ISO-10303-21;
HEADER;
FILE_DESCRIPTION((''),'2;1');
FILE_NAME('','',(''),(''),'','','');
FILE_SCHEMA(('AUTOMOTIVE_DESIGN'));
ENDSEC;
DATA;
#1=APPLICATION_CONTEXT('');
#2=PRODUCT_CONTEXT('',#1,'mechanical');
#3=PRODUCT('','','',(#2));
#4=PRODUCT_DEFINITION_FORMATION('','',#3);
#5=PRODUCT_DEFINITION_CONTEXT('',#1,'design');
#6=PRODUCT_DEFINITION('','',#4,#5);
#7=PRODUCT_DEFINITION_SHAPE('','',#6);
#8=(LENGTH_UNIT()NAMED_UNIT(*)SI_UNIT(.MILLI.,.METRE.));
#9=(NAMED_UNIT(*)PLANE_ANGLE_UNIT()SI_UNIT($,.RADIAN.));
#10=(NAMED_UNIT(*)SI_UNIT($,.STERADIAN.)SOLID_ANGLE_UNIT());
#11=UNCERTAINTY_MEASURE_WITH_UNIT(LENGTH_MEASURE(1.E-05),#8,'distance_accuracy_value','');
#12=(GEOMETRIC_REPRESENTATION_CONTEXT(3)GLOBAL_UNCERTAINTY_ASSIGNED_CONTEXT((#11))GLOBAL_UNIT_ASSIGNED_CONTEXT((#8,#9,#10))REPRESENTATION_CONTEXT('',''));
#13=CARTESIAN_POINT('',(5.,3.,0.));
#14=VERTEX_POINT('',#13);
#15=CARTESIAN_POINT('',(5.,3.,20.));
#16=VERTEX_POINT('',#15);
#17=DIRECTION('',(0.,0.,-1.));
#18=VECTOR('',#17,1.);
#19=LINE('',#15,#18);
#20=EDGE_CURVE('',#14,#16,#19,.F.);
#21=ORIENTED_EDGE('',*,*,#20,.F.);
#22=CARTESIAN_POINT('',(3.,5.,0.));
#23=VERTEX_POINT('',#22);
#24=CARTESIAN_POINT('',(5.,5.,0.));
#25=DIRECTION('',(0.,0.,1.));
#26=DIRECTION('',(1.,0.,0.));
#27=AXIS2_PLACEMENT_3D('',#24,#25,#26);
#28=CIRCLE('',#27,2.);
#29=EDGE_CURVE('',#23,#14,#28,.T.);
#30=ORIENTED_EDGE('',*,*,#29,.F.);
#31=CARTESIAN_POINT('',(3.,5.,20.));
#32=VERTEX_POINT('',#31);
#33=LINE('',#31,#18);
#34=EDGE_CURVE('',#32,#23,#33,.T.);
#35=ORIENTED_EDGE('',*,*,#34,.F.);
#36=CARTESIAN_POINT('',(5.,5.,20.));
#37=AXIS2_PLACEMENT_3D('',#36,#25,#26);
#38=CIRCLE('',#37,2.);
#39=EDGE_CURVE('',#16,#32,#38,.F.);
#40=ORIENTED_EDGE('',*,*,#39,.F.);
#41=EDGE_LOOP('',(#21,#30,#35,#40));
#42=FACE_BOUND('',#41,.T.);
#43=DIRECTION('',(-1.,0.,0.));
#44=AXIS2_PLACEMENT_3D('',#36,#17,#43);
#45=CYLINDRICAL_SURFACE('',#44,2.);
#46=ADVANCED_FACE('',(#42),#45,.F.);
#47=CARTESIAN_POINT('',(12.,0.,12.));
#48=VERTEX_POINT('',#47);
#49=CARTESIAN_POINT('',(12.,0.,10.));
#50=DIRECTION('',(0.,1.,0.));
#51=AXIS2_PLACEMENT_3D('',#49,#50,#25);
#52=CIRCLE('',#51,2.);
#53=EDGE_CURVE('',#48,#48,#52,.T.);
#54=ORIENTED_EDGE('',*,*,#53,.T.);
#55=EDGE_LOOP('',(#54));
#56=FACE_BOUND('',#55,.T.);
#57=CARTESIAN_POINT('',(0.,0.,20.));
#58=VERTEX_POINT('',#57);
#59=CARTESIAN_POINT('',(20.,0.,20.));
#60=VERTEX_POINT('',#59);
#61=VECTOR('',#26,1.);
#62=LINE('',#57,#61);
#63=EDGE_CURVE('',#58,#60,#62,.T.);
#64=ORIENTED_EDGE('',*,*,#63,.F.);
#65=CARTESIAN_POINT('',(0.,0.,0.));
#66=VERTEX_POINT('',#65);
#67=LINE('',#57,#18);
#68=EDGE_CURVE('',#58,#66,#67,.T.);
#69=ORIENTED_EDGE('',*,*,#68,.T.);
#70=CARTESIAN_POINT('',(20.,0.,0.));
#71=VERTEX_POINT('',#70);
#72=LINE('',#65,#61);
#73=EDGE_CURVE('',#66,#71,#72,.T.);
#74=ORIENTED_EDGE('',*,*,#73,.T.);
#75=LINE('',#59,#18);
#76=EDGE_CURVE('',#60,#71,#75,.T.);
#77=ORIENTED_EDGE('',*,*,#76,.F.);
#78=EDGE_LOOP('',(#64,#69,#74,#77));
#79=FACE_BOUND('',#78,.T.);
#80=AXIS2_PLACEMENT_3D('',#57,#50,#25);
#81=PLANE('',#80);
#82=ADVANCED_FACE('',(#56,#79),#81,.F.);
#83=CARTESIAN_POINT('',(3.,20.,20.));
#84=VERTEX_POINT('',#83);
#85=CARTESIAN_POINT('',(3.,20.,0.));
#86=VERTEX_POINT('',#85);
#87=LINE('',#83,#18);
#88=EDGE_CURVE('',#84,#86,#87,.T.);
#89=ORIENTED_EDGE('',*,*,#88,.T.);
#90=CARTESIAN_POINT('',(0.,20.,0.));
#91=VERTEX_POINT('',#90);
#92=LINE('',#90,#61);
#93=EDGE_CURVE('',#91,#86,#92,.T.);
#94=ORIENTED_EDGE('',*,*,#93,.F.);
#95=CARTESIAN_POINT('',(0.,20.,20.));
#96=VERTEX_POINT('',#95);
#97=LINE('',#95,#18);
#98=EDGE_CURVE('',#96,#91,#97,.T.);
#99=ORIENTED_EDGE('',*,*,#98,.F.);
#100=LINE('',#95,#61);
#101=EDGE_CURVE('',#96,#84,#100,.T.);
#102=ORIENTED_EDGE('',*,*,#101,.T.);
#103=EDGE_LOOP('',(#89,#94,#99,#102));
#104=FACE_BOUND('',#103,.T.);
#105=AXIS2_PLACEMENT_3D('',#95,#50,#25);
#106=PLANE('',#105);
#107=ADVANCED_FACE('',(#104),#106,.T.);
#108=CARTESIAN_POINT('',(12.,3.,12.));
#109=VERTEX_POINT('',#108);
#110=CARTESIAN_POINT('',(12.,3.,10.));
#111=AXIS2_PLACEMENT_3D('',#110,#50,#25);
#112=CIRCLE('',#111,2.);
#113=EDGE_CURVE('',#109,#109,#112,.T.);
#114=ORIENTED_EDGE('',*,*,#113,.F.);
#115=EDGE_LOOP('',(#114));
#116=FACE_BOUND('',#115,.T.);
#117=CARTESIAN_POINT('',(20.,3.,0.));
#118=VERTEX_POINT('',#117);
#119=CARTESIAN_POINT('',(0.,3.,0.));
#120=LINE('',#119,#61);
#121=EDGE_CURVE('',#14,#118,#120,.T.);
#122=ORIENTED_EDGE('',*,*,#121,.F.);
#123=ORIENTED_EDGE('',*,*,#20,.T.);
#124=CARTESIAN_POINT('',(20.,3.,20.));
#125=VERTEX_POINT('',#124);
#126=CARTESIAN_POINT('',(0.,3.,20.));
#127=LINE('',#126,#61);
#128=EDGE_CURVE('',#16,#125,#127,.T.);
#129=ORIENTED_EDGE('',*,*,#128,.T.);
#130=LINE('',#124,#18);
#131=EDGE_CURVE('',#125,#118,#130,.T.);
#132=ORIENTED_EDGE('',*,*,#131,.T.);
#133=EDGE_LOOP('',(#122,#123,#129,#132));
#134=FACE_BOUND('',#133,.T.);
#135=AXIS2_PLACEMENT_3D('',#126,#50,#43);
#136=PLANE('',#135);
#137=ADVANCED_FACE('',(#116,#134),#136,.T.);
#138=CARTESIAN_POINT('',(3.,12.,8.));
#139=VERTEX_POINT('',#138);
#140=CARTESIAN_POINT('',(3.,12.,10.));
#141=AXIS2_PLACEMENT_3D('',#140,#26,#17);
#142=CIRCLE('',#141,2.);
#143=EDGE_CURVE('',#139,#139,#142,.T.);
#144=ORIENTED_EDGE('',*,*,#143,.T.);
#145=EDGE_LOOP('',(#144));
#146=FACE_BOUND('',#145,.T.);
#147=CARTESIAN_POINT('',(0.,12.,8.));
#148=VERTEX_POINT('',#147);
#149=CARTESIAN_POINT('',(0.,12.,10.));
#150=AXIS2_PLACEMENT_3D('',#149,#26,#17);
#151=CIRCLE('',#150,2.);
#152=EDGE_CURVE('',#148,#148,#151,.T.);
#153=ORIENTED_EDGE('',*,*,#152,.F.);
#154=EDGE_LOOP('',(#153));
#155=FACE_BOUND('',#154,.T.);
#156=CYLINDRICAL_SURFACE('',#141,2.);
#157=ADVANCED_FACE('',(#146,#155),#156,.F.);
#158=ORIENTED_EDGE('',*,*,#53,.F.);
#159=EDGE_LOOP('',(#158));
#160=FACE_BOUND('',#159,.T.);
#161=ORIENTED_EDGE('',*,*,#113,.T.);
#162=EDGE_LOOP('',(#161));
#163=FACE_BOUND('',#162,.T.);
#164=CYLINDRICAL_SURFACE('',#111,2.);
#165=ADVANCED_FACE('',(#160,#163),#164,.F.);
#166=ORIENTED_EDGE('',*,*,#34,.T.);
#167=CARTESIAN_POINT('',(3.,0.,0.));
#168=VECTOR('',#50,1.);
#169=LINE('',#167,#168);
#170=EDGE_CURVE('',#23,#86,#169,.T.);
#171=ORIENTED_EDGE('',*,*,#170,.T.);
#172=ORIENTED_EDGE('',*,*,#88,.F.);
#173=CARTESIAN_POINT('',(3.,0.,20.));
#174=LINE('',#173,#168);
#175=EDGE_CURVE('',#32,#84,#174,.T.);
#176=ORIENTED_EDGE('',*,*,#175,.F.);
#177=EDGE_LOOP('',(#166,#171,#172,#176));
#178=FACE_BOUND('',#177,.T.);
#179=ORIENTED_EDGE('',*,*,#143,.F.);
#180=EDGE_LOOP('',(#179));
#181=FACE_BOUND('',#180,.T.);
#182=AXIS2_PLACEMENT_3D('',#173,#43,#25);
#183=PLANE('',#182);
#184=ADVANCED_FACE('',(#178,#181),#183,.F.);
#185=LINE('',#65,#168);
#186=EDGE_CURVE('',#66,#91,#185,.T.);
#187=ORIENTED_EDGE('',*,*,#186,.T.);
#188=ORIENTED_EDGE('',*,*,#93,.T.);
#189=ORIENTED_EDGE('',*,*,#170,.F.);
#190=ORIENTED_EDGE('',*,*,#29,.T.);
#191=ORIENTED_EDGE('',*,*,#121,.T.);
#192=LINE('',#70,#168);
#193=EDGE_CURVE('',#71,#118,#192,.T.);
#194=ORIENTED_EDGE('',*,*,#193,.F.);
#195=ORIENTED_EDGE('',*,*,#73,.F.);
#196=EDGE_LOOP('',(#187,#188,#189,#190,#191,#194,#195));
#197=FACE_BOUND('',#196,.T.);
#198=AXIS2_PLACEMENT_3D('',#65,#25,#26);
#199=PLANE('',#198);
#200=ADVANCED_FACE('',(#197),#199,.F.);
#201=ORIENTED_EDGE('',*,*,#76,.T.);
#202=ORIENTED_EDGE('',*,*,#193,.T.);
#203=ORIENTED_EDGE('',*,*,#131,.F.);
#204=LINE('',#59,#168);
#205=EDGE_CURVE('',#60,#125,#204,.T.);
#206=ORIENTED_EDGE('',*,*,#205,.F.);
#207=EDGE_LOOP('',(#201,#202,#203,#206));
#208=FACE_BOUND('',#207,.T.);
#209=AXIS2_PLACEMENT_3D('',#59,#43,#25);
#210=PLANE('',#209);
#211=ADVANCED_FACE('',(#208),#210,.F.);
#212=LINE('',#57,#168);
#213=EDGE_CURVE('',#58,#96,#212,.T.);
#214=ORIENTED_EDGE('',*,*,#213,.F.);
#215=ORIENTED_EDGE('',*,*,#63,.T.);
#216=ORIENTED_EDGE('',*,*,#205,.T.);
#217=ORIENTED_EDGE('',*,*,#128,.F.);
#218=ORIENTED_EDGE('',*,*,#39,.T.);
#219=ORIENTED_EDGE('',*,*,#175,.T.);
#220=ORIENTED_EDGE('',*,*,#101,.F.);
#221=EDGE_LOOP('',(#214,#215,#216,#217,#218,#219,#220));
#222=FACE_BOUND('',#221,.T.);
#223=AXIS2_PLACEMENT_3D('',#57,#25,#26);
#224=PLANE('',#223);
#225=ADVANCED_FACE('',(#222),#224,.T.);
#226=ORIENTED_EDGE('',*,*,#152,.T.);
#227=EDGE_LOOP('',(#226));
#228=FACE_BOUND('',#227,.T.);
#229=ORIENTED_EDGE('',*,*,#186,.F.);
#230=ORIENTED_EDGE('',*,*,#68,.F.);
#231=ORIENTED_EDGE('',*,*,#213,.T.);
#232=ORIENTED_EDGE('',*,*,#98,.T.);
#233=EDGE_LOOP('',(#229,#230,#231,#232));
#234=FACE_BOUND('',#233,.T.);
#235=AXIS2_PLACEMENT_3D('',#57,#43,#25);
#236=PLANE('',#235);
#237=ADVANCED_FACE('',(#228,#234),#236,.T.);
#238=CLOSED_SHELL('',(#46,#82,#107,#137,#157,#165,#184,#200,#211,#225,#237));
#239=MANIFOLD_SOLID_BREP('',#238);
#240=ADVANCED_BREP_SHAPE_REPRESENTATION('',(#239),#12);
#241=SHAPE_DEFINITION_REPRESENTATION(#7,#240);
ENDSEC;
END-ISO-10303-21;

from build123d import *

# Parameters (mm, degrees)
BOSS_EXTRUDE1_DEPTH   = 20
FILLET1_R             = 2
F_4_0MM_DOWEL_HOLE1_D = 4
F_4_0MM_DOWEL_HOLE2_D = 4


with BuildPart() as part:
    # Sketch1 → Boss-Extrude1 (new body)
    with BuildSketch(Plane.XY):
        Polygon((20, 3), (3, 3), (3, 20), (0, 20), (0, 3), (0, 0), (3, 0), (20, 0), align=None)
    extrude(amount=BOSS_EXTRUDE1_DEPTH)

    # Fillet1
    fillet1_edges = [part.edges().sort_by_distance(p)[0] for p in [
        (3, 3, 10),
    ]]
    fillet(fillet1_edges, radius=FILLET1_R)

    # Ø4.0mm Dowel Hole1 (through all)
    with Locations(Plane(origin=(3, 0, 0), x_dir=(0, 0, -1), z_dir=(1, 0, 0))):
        with Locations((-10, 12)):
            Hole(F_4_0MM_DOWEL_HOLE1_D / 2)

    # Ø4.0mm Dowel Hole2 (through all)
    with Locations(Plane(origin=(0, 3, 0), x_dir=(1, 0, 0), z_dir=(0, 1, 0))):
        with Locations((12, -10)):
            Hole(F_4_0MM_DOWEL_HOLE2_D / 2)


solid = part.part
